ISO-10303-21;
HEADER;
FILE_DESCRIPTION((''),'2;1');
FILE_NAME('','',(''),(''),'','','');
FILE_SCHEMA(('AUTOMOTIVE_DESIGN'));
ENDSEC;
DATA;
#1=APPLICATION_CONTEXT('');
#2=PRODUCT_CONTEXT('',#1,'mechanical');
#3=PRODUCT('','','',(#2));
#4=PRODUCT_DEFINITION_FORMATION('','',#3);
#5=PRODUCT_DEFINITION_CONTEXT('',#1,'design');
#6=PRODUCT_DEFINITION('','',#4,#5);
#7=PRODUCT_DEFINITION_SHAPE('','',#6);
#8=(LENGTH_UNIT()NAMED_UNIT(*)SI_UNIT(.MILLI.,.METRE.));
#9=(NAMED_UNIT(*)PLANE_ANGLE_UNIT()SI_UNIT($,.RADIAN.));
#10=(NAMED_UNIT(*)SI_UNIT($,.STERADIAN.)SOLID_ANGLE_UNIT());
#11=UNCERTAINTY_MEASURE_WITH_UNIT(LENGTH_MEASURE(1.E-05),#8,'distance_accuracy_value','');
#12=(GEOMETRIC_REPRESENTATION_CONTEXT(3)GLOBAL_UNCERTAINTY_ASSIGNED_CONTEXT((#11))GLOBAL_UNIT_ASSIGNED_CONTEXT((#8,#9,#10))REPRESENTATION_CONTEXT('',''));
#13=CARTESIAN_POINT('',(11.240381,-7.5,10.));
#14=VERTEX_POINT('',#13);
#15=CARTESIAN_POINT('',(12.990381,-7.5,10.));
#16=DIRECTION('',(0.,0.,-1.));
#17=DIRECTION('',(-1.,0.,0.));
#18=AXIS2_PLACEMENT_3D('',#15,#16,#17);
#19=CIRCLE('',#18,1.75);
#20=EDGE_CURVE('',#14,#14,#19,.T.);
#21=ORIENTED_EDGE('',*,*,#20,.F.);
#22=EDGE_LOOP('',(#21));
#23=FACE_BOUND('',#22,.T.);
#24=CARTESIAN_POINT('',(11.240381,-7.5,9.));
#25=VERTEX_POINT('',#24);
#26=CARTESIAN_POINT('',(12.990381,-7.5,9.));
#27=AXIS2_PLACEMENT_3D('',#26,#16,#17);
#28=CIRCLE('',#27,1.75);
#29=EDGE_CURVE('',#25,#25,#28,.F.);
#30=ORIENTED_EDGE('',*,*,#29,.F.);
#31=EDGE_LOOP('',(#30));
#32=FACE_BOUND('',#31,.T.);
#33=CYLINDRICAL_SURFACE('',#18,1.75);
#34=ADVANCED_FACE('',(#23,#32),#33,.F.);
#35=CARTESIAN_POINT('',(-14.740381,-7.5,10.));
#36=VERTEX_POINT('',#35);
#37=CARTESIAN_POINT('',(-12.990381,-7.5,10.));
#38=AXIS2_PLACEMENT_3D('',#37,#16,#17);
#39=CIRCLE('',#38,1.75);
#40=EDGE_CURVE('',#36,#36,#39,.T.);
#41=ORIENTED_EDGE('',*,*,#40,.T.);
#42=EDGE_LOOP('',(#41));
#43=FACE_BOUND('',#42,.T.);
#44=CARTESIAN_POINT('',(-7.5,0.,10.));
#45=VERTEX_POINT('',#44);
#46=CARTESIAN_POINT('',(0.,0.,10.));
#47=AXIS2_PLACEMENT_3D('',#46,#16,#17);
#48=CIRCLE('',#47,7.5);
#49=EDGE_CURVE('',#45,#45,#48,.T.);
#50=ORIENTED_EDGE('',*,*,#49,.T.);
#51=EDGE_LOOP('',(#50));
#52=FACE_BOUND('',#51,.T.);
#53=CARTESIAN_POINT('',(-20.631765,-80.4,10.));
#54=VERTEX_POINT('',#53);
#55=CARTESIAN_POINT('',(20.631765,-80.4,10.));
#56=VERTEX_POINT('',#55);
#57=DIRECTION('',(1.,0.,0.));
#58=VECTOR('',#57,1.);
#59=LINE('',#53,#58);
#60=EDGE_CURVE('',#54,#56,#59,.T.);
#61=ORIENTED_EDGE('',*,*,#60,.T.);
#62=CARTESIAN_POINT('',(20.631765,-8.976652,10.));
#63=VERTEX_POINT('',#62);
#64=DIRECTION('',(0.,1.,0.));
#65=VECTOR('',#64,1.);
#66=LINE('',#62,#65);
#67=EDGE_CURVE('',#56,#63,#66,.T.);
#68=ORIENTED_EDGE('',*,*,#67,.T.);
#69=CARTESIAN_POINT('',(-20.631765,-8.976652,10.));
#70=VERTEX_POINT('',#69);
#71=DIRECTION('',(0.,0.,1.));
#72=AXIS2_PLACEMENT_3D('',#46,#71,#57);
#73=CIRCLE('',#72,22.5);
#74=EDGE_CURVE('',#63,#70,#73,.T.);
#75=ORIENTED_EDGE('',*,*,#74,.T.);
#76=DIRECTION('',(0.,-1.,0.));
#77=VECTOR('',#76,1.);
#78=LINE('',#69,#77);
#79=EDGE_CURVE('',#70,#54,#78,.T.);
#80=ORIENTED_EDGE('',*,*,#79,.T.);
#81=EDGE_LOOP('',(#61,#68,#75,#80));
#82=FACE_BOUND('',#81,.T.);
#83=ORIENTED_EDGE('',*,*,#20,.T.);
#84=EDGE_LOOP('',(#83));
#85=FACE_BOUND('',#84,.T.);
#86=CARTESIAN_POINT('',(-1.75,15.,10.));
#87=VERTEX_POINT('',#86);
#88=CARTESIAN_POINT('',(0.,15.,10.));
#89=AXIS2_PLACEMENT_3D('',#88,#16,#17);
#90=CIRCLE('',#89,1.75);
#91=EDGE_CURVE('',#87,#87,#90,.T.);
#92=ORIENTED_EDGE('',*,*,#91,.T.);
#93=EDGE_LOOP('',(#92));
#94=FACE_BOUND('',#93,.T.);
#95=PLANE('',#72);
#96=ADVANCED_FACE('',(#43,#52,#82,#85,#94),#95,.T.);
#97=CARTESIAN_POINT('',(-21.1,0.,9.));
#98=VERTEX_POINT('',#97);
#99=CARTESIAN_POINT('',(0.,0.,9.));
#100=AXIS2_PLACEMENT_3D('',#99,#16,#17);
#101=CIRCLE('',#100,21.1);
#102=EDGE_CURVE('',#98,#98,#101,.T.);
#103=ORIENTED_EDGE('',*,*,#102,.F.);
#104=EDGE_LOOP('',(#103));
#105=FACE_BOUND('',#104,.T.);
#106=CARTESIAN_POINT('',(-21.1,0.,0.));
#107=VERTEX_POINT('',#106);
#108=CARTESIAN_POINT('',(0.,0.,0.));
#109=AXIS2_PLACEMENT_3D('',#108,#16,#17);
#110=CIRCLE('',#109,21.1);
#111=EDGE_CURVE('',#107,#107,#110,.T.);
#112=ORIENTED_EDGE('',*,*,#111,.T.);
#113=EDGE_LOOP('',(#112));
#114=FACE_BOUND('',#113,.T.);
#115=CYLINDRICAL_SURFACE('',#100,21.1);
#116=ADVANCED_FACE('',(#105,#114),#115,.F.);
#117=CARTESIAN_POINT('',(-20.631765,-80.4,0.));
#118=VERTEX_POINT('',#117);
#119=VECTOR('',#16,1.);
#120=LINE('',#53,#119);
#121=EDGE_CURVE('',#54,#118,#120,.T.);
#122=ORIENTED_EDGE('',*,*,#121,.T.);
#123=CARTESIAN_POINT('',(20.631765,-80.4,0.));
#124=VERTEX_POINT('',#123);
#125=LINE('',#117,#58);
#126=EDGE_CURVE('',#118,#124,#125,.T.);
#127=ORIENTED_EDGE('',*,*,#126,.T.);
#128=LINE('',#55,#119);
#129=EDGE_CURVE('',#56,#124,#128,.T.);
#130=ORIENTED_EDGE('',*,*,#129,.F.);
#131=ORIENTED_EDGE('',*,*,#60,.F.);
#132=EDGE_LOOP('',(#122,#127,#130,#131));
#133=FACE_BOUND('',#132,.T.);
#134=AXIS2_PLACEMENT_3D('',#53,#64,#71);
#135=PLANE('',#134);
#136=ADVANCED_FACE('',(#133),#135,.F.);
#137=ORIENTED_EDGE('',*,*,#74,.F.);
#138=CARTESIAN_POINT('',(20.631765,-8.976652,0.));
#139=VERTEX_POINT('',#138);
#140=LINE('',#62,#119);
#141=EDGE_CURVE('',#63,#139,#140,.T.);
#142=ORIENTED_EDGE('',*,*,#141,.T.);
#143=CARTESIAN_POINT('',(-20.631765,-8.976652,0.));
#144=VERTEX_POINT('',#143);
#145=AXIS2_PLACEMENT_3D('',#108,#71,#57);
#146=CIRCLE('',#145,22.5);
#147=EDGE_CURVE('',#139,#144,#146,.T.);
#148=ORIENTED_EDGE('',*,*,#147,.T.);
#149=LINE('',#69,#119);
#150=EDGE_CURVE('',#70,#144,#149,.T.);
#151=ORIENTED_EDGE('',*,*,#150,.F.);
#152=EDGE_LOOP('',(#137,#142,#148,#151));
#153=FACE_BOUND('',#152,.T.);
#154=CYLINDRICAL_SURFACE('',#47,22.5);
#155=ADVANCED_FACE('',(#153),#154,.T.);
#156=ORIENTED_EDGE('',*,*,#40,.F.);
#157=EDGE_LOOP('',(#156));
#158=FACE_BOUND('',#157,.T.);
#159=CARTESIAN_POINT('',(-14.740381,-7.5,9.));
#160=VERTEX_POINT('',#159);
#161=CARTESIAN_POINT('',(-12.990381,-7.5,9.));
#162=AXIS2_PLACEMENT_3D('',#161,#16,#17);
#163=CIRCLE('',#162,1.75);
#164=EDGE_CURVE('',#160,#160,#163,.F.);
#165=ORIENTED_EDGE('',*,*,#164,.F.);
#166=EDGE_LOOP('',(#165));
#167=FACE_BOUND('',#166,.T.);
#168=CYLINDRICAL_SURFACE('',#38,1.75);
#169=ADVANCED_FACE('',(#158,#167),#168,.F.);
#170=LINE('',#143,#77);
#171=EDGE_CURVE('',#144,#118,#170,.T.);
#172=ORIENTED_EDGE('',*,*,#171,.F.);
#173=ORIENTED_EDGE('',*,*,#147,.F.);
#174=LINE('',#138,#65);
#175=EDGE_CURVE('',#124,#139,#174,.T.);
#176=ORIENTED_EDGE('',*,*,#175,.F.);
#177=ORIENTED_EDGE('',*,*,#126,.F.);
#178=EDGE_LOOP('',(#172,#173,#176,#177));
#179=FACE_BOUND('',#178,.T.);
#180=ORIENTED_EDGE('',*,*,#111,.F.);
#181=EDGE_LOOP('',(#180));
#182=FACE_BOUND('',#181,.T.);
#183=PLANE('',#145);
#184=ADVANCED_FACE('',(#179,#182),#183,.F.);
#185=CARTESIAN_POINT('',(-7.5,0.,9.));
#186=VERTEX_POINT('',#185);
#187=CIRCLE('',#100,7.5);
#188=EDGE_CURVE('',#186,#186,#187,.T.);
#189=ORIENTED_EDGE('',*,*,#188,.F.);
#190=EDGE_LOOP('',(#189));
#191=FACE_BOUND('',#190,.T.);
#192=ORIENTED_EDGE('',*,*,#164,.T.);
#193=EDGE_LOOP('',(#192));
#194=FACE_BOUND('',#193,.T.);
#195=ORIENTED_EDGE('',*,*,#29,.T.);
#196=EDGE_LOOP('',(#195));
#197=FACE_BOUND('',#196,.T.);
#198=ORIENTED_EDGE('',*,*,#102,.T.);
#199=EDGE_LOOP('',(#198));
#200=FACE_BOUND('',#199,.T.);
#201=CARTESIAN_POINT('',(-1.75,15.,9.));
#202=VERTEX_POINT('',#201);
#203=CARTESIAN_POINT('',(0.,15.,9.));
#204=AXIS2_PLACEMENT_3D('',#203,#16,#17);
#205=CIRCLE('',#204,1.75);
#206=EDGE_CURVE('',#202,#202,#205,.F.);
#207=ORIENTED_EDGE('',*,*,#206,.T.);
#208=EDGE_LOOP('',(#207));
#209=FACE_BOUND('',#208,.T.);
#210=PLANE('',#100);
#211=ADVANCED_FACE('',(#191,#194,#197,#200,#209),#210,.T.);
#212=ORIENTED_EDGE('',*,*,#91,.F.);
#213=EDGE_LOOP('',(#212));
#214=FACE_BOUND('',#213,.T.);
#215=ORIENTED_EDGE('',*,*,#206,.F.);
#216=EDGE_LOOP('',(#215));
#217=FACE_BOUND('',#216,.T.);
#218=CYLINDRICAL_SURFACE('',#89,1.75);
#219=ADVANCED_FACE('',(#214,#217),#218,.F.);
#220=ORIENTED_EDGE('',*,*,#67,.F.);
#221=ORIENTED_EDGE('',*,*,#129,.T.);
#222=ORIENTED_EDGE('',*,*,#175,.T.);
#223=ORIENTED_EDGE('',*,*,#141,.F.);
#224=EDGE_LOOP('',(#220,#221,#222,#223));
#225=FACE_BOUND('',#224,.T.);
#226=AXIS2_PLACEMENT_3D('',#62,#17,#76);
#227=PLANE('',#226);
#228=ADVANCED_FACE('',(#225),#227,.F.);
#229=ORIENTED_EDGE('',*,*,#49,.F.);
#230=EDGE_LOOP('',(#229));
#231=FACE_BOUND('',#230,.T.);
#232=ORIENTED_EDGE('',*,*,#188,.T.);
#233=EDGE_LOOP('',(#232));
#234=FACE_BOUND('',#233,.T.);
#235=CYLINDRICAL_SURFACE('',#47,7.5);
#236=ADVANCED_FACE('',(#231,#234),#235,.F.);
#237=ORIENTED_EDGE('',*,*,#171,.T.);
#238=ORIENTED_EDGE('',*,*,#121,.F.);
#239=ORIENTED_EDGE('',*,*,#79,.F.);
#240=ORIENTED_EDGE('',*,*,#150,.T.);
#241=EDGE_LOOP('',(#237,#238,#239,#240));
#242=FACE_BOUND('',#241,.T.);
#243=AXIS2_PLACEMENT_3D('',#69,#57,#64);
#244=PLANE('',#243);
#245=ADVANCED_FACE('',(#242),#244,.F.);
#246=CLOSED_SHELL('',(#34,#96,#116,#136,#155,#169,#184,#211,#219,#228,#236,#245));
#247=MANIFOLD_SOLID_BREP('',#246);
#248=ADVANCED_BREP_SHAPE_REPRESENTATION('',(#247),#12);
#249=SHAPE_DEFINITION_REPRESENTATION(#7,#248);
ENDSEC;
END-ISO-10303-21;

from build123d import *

# Parameters (mm, degrees)
BOSS_EXTRUDE1_DEPTH = 10
SKETCH2_R           = 1.75
CUT_EXTRUDE1_DEPTH  = 10
SKETCH3_R           = 21.1
CUT_EXTRUDE2_DEPTH  = 9
SKETCH4_R           = 7.5
CUT_EXTRUDE3_DEPTH  = 10


with BuildPart() as part:
    # Sketch1 → Boss-Extrude1 (new body)
    with BuildSketch(Plane.XY):
        with BuildLine():
            Line((-20.631764929, -8.976651708), (-20.631764929, -80.4))
            Line((-20.631764929, -80.4), (20.631764929, -80.4))
            Line((20.631764929, -80.4), (20.631764929, -8.976651708))
            ThreePointArc((20.631764929, -8.976651708), (0, 22.5), (-20.631764929, -8.976651708))
        make_face()
    extrude(amount=BOSS_EXTRUDE1_DEPTH)

    # Sketch2 → Cut-Extrude1 (cut)
    with BuildSketch(Plane(origin=(0, 0, 0), x_dir=(-1, 0, 0), z_dir=(0, 0, -1))):
        with Locations((0, 15)):
            Circle(SKETCH2_R)
        with Locations((12.990381057, -7.5)):
            Circle(SKETCH2_R)
        with Locations((-12.990381057, -7.5)):
            Circle(SKETCH2_R)
    extrude(amount=-CUT_EXTRUDE1_DEPTH, mode=Mode.SUBTRACT)

    # Sketch3 → Cut-Extrude2 (cut)
    with BuildSketch(Plane(origin=(0, 0, 0), x_dir=(-1, 0, 0), z_dir=(0, 0, -1))):
        Circle(SKETCH3_R)
    extrude(amount=-CUT_EXTRUDE2_DEPTH, mode=Mode.SUBTRACT)

    # Sketch4 → Cut-Extrude3 (cut)
    with BuildSketch(Plane(origin=(0, 0, 0), x_dir=(-1, 0, 0), z_dir=(0, 0, -1))):
        Circle(SKETCH4_R)
    extrude(amount=-CUT_EXTRUDE3_DEPTH, mode=Mode.SUBTRACT)


solid = part.part
